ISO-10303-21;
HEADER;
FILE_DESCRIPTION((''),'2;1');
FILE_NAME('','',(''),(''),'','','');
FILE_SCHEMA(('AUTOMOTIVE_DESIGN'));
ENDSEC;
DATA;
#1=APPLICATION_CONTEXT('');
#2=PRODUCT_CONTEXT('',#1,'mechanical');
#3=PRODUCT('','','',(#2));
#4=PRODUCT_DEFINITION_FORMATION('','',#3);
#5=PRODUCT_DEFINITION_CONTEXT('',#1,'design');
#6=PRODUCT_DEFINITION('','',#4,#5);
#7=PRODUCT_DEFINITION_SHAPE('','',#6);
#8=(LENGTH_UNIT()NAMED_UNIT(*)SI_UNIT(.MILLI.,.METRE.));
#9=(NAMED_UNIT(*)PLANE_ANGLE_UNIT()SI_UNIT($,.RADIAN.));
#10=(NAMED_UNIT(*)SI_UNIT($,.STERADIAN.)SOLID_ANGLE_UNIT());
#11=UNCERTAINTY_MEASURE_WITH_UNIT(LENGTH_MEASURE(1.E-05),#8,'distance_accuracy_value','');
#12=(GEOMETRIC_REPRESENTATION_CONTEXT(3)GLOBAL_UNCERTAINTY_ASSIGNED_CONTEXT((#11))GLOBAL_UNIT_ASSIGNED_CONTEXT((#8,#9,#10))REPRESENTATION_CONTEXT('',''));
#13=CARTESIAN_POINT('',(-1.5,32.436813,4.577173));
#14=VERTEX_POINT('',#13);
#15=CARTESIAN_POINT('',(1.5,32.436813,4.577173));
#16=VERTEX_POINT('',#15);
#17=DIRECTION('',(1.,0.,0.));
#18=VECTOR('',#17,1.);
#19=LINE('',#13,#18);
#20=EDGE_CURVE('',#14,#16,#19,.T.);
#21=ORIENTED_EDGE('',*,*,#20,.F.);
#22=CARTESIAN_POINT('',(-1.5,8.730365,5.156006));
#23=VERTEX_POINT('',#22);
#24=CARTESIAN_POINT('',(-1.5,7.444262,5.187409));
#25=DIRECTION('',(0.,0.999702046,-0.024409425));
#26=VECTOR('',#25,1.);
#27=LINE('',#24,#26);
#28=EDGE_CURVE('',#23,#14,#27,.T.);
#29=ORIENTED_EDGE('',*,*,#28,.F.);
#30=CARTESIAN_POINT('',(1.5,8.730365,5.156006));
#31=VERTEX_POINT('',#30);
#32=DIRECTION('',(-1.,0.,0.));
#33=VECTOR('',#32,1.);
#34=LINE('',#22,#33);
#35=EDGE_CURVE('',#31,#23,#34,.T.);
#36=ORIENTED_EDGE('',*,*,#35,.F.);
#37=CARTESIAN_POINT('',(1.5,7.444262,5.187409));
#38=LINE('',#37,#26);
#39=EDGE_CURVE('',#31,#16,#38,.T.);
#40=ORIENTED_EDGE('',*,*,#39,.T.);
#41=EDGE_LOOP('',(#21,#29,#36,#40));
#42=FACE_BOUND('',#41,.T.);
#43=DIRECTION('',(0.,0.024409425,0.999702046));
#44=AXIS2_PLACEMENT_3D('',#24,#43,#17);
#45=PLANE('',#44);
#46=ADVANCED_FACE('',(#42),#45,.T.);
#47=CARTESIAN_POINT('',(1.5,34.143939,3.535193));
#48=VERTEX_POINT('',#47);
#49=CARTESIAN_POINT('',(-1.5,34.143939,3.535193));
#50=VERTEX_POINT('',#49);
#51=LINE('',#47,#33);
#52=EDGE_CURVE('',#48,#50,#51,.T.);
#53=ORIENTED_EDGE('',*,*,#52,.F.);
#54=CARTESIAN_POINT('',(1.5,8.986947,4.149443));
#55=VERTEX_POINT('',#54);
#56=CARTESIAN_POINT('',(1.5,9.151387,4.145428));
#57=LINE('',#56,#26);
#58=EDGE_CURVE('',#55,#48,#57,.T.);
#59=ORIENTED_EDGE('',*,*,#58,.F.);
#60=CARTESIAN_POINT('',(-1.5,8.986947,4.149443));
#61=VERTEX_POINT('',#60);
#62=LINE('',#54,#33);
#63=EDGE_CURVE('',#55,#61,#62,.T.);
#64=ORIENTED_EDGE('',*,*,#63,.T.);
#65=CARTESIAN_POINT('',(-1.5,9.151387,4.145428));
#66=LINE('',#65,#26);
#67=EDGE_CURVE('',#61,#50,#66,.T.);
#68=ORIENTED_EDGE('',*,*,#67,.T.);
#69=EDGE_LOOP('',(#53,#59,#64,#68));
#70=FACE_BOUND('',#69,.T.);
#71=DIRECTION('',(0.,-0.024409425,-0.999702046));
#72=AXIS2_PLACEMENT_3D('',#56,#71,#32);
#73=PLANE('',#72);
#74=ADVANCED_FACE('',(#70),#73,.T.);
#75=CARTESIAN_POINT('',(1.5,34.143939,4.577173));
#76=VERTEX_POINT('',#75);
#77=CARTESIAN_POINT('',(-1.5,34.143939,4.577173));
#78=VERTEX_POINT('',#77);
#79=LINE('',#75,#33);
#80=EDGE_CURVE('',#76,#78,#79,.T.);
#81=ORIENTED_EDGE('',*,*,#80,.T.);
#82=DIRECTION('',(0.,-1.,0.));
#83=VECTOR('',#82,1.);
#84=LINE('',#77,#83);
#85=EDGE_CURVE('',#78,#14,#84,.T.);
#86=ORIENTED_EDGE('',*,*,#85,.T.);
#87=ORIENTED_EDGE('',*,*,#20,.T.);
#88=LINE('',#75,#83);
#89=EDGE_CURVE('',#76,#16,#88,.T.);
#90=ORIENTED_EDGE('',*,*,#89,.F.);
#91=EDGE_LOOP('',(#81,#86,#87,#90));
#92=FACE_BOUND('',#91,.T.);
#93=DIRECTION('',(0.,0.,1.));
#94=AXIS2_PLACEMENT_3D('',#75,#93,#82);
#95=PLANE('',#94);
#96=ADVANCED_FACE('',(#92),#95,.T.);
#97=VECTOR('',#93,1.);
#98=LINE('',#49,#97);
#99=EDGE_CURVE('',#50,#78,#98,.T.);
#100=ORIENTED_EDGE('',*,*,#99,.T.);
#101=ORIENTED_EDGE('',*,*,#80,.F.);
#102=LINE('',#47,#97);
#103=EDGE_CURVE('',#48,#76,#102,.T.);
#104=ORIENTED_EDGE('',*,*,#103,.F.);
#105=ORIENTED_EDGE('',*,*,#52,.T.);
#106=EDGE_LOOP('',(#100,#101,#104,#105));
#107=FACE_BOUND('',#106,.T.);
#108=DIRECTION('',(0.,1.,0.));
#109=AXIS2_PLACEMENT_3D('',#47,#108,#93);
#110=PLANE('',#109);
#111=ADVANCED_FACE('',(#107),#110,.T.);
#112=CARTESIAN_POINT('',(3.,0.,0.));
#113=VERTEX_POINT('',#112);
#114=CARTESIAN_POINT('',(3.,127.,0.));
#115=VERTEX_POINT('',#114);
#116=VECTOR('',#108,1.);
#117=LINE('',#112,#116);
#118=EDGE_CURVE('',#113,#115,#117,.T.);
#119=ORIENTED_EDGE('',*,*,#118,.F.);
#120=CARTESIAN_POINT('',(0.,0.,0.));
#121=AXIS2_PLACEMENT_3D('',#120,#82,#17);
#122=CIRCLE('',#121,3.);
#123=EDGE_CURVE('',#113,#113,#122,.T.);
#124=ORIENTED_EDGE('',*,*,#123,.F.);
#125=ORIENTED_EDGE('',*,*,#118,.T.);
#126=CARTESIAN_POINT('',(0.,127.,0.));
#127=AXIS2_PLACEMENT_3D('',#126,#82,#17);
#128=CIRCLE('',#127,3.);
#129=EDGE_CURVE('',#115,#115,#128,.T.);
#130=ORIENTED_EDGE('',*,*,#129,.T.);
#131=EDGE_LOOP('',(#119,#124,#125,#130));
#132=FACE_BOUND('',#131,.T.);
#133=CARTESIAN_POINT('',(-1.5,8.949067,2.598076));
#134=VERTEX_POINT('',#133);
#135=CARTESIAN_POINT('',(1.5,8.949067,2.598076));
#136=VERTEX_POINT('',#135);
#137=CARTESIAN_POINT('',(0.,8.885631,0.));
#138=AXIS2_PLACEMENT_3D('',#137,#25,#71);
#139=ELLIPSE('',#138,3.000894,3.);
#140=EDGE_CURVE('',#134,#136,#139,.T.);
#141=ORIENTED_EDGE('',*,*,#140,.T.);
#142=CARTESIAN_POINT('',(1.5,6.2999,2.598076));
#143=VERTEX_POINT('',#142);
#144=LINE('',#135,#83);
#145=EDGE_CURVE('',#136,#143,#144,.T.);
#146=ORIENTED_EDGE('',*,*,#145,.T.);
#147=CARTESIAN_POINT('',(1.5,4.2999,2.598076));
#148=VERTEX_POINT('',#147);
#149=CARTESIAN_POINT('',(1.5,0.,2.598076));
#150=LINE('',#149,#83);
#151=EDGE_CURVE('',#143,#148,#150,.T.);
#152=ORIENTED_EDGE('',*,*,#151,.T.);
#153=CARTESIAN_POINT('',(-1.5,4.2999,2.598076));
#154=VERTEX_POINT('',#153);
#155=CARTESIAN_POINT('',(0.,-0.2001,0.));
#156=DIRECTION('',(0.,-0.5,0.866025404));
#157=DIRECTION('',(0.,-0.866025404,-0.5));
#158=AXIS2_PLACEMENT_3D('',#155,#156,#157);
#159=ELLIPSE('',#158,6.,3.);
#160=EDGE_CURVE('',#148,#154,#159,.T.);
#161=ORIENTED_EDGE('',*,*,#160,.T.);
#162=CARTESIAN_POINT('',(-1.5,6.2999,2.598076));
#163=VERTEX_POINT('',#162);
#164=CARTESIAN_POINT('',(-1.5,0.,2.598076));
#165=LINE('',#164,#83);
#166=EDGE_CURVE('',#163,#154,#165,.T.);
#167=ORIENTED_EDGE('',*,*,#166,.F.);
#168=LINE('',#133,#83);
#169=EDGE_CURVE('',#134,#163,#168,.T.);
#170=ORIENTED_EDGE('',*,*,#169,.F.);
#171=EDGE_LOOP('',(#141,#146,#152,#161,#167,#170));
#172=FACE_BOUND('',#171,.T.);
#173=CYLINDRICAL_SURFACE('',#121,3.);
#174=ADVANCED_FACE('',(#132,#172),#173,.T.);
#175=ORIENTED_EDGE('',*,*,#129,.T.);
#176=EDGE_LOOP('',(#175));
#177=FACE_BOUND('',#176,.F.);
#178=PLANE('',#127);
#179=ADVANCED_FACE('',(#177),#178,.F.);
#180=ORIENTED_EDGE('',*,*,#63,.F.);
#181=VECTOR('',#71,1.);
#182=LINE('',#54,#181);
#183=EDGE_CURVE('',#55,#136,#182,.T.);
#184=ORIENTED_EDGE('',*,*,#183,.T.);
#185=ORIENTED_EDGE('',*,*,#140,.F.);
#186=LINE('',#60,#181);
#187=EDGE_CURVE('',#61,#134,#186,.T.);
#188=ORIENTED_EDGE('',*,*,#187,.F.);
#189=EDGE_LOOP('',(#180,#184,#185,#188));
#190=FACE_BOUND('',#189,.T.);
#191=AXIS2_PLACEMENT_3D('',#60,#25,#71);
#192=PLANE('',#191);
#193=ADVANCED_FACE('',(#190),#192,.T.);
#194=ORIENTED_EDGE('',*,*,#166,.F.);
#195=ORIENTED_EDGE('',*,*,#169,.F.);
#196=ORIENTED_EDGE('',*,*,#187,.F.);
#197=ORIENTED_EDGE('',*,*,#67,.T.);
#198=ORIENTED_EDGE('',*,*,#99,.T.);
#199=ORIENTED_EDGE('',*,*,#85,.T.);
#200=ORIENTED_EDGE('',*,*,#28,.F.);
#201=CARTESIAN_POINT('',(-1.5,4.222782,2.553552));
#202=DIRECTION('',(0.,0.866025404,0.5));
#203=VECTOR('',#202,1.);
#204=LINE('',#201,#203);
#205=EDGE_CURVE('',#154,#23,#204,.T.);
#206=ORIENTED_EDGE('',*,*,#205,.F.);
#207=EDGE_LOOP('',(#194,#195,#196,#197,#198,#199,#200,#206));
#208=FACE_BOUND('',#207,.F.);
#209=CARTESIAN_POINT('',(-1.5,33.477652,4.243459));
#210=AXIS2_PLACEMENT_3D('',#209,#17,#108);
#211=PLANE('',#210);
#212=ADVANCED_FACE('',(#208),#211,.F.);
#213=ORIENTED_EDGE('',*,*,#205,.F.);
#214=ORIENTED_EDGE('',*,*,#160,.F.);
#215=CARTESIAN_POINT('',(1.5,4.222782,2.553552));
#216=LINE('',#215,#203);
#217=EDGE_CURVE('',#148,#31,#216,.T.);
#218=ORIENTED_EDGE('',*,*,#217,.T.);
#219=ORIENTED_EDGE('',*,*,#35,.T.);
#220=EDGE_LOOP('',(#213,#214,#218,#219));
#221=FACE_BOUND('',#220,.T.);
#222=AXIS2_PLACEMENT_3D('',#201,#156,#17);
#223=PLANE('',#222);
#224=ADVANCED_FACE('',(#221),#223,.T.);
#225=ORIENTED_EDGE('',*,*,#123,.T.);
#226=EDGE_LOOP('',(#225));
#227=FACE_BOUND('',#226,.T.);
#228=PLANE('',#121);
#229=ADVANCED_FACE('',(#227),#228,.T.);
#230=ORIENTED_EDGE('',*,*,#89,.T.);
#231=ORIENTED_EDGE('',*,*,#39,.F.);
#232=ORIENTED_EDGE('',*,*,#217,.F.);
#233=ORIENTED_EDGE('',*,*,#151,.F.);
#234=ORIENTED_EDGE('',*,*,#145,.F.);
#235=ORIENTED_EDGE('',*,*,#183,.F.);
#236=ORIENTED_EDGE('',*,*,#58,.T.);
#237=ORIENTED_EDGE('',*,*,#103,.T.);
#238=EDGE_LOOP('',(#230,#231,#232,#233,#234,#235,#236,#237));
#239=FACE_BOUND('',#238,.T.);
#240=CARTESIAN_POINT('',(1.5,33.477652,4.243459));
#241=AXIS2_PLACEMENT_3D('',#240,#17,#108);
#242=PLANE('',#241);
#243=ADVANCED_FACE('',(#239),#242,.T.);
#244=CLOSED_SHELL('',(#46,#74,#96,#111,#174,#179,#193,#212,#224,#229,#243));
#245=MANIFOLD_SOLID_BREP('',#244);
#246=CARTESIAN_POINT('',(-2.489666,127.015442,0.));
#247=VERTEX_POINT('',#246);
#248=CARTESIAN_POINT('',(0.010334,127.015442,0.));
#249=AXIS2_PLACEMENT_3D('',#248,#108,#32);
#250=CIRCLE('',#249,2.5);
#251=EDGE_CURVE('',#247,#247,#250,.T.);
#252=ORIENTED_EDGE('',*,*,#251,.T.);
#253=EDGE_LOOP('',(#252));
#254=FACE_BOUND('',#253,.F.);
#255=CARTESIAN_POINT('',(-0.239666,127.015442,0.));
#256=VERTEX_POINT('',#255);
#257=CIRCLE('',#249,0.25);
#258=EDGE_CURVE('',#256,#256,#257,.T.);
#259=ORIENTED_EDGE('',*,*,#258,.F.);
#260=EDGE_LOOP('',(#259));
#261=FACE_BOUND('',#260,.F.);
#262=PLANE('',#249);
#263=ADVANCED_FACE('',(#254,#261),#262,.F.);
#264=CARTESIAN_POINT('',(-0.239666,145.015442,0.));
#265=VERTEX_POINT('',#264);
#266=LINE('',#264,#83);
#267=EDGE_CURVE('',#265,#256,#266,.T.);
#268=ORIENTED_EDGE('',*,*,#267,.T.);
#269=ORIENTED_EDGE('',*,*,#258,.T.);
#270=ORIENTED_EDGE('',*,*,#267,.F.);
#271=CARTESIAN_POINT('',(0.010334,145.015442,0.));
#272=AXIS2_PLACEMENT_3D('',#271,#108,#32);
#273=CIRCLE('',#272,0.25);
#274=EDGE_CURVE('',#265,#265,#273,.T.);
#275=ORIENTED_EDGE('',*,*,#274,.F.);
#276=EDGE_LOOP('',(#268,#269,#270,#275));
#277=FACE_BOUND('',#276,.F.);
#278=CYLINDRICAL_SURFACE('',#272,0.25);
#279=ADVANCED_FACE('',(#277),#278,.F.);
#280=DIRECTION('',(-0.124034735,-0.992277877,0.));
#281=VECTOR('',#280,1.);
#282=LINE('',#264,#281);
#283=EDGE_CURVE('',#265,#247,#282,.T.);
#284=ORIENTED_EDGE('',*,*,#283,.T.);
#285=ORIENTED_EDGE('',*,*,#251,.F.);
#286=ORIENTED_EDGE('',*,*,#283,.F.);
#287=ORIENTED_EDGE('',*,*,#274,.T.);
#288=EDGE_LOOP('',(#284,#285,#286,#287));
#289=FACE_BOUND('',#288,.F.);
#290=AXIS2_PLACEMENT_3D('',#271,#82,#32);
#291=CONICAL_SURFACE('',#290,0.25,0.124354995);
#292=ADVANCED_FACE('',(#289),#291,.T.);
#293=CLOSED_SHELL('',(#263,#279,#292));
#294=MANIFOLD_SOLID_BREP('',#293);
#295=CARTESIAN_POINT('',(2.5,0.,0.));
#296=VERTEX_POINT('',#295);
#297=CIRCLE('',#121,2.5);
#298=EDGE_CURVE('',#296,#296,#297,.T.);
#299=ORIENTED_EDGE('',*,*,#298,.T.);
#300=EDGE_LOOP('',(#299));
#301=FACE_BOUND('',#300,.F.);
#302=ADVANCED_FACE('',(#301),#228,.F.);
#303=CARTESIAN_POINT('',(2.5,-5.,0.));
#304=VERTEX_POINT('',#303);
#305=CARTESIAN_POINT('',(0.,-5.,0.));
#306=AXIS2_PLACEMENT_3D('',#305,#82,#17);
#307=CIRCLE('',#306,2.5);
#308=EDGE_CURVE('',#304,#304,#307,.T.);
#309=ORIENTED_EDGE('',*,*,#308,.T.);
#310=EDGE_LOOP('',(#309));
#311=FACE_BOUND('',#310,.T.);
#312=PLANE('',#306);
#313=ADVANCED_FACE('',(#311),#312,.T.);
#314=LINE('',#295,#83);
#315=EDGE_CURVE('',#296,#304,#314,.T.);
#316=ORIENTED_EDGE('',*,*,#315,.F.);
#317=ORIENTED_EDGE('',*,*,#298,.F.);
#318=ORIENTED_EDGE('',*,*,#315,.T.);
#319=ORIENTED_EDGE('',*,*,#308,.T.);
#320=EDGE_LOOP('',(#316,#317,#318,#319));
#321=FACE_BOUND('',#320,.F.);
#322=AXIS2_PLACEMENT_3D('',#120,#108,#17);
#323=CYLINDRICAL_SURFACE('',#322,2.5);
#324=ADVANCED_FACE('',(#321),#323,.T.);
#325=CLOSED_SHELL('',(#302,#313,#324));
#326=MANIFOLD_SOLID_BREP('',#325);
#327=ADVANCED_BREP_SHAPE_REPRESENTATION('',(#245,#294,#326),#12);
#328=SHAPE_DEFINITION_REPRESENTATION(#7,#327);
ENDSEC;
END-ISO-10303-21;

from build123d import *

# Parameters (mm, degrees)
F0_R      = 3
F1_DEPTH  = 127
F5_DEPTH  = 18
F2_R      = 2.5
F9_DEPTH  = 5
F12_DEPTH = 3
F14_DEPTH = 3


with BuildPart() as f1:
    # F0 (on Front) → F1 (new body)
    with BuildSketch(Plane.XZ):
        Circle(F0_R)
    extrude(amount=-F1_DEPTH)

    # F10: sweep along a path in F6
    with BuildLine(Plane.YZ) as f10_path:
        Line((5.9960522478, 2.5535523714), (8.9578591287, 4.2635523714))
        Line((8.9578591287, 4.2635523714), (33.9504102688, 3.6533167544))
    # F8 (on offset) → F10 (sweep)
    with BuildSketch(Plane.XY.offset(3)):
        Polygon((1.5, 6.9960522478), (0, 6.9960522478), (-1.5, 6.9960522478), (-1.5, 4.9960522478), (1.5, 4.9960522478), align=None)
    sweep(path=f10_path.line, transition=Transition.RIGHT)

    # F11 (on face) → F12 (join)
    with BuildSketch(Plane(origin=(-1.5, 0, 0), x_dir=(0, -1, 0), z_dir=(-1, 0, 0))):
        Polygon((-6.2998998251, 2.5980762114), (-8.9869465357, 4.1494433531), (-8.94906727, 2.5980762114), align=None)
    extrude(amount=-F12_DEPTH)

    # F13 (on face) → F14 (join)
    with BuildSketch(Plane.YZ.offset(1.5)):
        Polygon((34.1439385505, 4.577173042), (32.4368132398, 4.577173042), (34.1439385505, 3.5351926326), align=None)
    extrude(amount=-F14_DEPTH)


with BuildPart() as f4:
    # F3 (on Top) → F4 (revolve)
    with BuildSketch(Plane.XY):
        Polygon((-2.489665756, 127.0154416561), (0.010334244, 127.0154416561), (0.010334244, 145.0154416561), (-0.239665756, 145.0154416561), align=None)
    revolve(axis=Axis((0.010334244, 136.0154416561, 0), (0, 1, 0)))

    # F5 (cut): a face of the model
    f5_faces = [f4.faces().sort_by_distance(p)[0] for p in [
        (0.010334244, 145.0154416561, 0),
    ]]
    extrude(f5_faces, amount=-F5_DEPTH, mode=Mode.SUBTRACT)


with BuildPart() as f9:
    # F2 (on face) → F9 (new body)
    with BuildSketch(Plane.XZ):
        Circle(F2_R)
    extrude(amount=F9_DEPTH)


solid = Compound([f1.part, f4.part, f9.part])
